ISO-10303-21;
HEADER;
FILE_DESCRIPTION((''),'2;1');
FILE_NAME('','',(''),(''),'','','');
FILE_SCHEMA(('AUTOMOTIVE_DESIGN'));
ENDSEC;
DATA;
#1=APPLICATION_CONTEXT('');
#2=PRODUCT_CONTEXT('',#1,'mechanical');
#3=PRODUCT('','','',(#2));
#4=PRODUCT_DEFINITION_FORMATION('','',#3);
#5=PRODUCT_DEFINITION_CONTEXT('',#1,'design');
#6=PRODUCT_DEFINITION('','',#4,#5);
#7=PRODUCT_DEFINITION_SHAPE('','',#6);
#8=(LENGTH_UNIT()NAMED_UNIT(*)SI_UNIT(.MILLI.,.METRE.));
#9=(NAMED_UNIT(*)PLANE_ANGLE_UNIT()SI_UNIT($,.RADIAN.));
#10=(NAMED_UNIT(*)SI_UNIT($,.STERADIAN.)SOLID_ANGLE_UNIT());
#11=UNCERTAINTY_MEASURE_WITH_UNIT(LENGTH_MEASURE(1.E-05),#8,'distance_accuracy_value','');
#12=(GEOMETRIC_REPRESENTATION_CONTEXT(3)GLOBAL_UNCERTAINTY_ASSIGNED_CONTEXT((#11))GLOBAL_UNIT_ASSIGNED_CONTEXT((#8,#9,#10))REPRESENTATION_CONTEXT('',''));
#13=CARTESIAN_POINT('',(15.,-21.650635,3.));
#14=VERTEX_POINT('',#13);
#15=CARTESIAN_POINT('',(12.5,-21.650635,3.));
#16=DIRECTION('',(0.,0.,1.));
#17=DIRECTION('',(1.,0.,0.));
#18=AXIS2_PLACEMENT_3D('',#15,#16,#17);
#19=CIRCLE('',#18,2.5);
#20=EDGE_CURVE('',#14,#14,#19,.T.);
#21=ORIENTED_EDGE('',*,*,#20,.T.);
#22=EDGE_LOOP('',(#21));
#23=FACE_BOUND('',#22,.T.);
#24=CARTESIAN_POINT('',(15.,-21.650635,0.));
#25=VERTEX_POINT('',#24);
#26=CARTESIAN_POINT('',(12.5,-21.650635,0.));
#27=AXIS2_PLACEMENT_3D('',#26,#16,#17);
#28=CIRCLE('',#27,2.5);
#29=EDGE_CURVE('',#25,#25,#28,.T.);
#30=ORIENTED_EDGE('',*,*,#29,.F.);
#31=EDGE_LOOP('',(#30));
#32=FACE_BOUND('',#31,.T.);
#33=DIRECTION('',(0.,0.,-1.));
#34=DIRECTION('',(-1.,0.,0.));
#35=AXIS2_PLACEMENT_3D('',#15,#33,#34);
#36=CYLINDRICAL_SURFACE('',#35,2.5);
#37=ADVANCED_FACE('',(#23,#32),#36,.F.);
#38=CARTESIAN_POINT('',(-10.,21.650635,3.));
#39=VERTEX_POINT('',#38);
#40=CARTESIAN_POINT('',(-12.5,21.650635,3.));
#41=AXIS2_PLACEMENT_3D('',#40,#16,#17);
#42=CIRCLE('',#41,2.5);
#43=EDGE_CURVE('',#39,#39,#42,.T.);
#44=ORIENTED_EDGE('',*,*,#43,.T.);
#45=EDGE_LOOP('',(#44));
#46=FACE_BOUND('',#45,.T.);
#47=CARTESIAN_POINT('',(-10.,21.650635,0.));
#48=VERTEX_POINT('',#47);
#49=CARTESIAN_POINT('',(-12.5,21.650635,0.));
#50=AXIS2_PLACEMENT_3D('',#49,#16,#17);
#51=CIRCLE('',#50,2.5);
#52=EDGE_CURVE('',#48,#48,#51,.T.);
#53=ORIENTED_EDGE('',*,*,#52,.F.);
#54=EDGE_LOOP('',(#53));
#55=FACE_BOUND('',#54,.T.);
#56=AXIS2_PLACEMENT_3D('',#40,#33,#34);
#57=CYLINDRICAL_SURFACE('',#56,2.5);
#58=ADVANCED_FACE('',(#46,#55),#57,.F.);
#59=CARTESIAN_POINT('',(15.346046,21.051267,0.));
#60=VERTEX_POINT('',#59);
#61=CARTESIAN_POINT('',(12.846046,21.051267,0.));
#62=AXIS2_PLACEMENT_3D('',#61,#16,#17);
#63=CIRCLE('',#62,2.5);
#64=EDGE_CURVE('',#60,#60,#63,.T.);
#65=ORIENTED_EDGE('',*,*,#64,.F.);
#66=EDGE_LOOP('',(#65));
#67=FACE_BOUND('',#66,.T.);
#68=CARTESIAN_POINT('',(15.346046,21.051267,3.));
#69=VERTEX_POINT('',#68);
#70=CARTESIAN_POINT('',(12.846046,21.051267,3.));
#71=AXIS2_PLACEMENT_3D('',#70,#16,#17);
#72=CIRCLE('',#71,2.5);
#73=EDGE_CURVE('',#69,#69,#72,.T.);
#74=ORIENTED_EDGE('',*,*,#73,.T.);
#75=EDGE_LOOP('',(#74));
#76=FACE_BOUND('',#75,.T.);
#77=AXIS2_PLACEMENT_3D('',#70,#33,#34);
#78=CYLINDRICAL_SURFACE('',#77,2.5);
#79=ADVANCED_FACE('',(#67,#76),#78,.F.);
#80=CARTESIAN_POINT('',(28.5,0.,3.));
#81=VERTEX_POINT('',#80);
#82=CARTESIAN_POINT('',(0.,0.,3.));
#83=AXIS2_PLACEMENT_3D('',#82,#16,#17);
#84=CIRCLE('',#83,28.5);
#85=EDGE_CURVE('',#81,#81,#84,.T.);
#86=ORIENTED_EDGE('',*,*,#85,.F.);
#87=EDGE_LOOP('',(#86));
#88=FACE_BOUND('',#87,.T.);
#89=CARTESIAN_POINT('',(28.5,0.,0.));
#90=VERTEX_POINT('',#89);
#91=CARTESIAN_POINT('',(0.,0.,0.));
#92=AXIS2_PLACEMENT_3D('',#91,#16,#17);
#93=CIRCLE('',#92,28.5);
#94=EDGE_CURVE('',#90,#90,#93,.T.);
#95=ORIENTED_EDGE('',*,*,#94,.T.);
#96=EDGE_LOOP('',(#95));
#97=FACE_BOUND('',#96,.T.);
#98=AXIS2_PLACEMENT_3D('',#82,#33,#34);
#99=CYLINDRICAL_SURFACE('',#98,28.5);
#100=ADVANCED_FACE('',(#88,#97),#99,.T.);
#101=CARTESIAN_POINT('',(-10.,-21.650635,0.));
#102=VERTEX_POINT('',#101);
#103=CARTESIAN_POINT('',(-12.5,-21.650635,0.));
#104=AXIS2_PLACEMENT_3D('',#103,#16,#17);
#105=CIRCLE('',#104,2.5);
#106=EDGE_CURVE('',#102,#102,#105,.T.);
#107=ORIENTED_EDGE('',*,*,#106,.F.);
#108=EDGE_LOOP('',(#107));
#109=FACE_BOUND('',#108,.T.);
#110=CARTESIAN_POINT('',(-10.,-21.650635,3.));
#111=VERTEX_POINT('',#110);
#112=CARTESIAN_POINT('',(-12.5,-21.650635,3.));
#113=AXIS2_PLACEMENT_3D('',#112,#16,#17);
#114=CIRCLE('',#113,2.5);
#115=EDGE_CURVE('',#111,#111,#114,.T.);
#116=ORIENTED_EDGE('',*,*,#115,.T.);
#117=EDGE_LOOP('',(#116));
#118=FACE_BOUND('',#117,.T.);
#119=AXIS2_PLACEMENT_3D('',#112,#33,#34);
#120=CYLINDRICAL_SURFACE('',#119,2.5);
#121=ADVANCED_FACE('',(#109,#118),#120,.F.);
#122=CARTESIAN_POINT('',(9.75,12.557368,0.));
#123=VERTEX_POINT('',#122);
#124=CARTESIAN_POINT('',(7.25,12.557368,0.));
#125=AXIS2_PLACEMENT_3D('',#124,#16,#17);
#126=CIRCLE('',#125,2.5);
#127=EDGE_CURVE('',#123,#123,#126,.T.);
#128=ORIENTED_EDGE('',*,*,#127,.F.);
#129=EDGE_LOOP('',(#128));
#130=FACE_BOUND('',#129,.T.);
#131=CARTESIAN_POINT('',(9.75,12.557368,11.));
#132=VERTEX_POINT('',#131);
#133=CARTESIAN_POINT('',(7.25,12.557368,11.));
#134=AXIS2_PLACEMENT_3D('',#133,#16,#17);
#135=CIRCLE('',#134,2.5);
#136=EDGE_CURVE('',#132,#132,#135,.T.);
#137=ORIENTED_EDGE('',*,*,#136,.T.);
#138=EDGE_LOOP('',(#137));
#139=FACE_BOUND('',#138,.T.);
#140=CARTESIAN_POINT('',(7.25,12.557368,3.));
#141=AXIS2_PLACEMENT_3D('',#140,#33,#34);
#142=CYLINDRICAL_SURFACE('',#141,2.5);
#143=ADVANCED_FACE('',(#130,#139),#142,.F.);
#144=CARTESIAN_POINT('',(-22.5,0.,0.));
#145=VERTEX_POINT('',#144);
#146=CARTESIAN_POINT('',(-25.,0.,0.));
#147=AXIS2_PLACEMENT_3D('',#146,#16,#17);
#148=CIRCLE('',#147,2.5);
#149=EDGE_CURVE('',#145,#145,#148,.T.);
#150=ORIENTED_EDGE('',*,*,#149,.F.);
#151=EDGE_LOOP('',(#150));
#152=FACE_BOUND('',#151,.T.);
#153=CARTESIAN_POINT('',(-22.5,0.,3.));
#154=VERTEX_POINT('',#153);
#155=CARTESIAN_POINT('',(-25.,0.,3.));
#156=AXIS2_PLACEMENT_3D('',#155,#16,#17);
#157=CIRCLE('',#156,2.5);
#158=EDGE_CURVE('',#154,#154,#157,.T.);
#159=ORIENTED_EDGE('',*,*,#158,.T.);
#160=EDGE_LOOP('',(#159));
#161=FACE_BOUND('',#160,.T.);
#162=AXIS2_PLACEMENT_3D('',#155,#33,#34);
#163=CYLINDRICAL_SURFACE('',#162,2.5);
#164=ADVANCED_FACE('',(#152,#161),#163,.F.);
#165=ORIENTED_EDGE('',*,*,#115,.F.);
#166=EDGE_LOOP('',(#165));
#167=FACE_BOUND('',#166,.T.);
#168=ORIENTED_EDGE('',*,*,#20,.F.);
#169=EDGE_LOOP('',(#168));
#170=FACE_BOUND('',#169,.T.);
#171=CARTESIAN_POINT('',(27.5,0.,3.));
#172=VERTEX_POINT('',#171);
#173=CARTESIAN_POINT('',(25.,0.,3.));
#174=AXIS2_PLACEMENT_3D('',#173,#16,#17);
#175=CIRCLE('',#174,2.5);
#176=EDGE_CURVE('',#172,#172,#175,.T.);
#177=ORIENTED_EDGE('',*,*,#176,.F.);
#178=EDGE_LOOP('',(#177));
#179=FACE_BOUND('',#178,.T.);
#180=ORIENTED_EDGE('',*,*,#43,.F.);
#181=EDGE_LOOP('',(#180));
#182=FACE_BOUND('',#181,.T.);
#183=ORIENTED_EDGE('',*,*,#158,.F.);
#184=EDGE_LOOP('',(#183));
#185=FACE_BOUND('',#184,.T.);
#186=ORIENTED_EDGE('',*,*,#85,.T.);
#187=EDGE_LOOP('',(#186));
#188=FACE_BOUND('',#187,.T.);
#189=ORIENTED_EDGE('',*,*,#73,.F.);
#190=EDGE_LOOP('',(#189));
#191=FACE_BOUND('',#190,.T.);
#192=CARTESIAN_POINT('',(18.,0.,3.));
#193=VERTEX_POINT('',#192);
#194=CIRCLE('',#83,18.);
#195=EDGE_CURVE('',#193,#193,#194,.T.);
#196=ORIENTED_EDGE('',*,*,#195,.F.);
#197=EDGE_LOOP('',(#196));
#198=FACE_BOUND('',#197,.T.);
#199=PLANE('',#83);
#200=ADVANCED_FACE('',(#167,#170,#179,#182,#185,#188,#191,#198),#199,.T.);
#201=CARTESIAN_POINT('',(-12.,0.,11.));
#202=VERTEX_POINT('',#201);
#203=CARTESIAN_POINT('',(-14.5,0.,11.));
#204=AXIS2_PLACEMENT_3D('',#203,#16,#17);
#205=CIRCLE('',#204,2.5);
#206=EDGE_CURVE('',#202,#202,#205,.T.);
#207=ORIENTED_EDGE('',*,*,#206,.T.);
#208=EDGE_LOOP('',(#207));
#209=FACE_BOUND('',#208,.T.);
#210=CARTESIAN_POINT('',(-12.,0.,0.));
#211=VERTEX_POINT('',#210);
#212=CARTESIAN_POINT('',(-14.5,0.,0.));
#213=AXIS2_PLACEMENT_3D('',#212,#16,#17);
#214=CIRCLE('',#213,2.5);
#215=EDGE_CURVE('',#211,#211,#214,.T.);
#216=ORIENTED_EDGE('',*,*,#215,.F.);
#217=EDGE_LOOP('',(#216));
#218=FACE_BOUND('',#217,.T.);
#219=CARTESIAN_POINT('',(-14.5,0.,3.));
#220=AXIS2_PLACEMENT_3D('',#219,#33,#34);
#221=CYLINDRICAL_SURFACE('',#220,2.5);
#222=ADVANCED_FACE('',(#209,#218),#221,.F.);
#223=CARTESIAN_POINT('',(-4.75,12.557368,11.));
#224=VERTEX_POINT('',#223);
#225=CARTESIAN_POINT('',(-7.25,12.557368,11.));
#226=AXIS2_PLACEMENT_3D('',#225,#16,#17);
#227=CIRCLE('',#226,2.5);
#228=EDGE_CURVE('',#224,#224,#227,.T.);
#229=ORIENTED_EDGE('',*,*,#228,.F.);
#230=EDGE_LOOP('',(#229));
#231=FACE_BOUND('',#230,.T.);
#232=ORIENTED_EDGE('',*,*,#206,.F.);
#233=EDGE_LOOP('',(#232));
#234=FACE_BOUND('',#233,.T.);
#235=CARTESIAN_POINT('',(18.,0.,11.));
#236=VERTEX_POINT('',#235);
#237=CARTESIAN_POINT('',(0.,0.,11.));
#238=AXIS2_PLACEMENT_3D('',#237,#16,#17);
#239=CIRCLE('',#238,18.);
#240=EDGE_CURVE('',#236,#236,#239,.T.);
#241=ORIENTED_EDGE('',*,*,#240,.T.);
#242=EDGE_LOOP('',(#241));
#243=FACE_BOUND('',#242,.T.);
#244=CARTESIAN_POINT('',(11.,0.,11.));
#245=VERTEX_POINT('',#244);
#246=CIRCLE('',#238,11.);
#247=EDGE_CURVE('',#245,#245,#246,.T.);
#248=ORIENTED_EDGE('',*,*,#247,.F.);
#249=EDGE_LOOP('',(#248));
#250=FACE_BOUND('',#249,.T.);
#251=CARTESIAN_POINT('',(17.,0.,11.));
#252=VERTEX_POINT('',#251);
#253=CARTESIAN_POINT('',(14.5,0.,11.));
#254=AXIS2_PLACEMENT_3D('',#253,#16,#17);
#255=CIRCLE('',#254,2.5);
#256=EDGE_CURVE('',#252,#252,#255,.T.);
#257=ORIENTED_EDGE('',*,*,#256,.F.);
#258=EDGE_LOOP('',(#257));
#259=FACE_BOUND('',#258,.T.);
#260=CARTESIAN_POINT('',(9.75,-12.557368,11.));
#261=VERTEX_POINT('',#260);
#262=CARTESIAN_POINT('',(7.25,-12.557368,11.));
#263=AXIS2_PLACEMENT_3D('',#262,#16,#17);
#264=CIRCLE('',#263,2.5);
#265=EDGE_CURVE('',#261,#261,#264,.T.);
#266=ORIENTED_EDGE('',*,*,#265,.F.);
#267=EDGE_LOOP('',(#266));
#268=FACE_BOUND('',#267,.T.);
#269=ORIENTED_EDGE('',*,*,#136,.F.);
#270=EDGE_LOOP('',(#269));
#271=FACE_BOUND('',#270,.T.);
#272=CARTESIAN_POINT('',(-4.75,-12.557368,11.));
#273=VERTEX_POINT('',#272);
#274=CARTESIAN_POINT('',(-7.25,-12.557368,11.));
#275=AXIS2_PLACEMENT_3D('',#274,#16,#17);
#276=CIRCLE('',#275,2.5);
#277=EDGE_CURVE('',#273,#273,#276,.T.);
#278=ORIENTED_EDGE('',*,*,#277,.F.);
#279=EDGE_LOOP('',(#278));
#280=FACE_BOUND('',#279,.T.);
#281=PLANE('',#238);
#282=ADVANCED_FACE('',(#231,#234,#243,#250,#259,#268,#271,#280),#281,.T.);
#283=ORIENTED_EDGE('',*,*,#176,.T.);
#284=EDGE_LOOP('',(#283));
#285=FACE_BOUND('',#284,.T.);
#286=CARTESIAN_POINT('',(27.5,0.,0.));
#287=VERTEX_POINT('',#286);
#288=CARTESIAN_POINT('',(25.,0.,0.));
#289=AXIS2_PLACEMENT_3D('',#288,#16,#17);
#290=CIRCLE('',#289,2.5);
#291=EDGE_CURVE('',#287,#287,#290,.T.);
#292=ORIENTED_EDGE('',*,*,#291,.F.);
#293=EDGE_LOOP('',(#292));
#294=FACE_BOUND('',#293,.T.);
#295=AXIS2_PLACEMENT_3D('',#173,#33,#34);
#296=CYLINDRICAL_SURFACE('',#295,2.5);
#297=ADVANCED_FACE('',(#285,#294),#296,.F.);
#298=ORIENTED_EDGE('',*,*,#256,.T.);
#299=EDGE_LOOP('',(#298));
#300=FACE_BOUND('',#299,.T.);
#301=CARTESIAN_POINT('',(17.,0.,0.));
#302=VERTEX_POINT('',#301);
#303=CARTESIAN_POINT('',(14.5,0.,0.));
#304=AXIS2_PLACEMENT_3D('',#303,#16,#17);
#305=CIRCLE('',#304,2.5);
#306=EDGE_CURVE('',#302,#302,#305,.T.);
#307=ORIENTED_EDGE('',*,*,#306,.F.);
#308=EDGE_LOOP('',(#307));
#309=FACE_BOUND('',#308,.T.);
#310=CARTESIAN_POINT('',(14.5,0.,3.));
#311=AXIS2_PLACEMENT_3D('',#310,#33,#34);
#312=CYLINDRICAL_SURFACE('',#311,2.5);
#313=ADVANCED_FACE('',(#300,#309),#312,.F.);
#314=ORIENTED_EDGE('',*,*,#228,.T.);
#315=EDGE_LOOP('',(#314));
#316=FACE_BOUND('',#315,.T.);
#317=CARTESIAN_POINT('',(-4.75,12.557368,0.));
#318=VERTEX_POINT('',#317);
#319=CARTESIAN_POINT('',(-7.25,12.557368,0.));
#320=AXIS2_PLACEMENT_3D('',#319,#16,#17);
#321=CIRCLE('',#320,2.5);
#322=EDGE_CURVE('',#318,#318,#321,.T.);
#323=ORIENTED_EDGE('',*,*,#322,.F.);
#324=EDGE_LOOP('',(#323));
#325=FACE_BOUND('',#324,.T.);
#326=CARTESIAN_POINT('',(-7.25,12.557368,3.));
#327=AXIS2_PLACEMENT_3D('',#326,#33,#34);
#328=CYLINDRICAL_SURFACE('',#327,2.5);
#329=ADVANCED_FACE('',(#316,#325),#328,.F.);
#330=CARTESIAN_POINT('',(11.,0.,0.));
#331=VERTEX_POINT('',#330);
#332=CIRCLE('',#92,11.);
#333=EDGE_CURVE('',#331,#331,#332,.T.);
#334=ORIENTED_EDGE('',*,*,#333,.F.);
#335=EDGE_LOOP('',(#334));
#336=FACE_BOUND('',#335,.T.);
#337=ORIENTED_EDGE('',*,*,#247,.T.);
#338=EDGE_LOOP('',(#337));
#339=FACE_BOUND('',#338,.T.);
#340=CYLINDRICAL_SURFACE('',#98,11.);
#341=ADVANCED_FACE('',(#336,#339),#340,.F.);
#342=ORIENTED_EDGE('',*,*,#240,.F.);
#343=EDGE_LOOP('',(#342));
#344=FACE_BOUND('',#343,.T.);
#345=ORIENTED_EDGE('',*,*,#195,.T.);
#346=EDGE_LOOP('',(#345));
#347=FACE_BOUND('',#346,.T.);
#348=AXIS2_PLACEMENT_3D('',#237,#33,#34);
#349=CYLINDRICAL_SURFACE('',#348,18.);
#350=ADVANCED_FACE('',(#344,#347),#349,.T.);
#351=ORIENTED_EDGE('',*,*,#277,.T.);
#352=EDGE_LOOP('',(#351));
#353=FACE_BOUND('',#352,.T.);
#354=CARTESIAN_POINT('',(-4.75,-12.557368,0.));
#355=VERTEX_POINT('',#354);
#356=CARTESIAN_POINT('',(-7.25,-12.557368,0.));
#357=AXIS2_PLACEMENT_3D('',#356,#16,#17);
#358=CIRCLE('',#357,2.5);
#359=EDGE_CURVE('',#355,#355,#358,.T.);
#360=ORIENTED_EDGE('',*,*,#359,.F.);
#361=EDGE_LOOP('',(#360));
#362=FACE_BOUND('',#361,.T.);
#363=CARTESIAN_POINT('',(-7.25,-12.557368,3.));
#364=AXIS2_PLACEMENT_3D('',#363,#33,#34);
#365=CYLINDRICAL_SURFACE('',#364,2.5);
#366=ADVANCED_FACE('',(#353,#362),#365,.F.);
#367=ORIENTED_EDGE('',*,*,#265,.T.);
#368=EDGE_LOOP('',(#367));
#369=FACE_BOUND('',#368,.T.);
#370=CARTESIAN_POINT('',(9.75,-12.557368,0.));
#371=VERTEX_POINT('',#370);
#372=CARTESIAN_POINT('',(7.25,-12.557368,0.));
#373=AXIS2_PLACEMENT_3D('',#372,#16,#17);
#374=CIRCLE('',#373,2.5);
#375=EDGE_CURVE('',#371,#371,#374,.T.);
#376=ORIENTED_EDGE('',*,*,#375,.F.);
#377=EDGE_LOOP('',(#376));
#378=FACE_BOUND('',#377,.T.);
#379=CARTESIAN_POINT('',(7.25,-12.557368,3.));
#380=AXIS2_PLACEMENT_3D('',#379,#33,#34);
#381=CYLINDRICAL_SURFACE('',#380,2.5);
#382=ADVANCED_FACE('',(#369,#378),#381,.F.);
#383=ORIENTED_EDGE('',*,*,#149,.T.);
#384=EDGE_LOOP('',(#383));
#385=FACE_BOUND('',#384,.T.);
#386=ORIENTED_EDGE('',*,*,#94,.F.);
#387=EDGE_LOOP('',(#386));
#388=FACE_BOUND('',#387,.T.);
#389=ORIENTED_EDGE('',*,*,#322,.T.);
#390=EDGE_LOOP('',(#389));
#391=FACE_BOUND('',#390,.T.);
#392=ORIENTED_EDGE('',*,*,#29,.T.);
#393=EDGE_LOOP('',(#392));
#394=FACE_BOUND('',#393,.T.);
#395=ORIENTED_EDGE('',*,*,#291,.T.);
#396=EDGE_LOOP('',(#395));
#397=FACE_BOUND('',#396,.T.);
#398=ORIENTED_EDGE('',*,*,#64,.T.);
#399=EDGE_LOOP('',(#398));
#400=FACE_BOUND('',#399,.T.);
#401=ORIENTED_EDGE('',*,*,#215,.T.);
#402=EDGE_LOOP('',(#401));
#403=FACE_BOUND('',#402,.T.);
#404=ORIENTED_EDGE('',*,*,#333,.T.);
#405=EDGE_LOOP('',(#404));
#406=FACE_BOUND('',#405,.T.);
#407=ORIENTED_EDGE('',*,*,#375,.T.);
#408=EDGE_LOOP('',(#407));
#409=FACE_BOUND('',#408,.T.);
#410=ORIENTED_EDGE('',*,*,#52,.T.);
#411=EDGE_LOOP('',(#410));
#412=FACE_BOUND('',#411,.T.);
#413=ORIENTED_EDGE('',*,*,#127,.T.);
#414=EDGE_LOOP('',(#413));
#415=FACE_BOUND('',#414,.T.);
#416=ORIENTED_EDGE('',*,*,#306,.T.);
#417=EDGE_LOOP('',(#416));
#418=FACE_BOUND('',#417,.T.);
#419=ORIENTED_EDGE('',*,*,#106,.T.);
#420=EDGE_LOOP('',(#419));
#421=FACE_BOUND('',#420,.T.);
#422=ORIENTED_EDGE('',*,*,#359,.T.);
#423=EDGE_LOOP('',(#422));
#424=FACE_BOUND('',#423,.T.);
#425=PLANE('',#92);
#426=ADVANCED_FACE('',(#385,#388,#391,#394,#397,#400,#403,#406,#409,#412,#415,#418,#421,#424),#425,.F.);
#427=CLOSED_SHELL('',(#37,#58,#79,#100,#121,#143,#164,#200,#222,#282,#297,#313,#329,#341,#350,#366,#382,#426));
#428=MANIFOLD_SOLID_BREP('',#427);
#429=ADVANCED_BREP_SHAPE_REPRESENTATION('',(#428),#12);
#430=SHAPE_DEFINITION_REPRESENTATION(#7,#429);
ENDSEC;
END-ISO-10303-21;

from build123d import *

# Parameters (mm, degrees)
SKETCH_1_R      = 28.5
SKETCH_1_R_2    = 2.5
SKETCH_1_R_3    = 18
SKETCH_1_R_4    = 11
EXTRUDE_3_DEPTH = 3
SKETCH_3_R      = 18
SKETCH_3_R_2    = 11
SKETCH_3_R_3    = 2.5
EXTRUDE_4_DEPTH = 8


with BuildPart() as part:
    # 草图1 → 凸台-拉伸3 (new body)
    # profile 1 of 2: a face of its own
    with BuildSketch(Plane.XY):
        Circle(SKETCH_1_R)
        with Locations((-12.5, -21.650635095)):
            Circle(SKETCH_1_R_2, mode=Mode.SUBTRACT)
        with Locations((12.5, -21.650635095)):
            Circle(SKETCH_1_R_2, mode=Mode.SUBTRACT)
        with Locations((25, 0)):
            Circle(SKETCH_1_R_2, mode=Mode.SUBTRACT)
        with Locations((12.846045577, 21.051266574)):
            Circle(SKETCH_1_R_2, mode=Mode.SUBTRACT)
        with Locations((-25, 0)):
            Circle(SKETCH_1_R_2, mode=Mode.SUBTRACT)
        with Locations((-12.5, 21.650635095)):
            Circle(SKETCH_1_R_2, mode=Mode.SUBTRACT)
        Circle(SKETCH_1_R_3, mode=Mode.SUBTRACT)
    # profile 2 of 2: a face of its own
    with BuildSketch(Plane.XY):
        Circle(SKETCH_1_R_3)
        Circle(SKETCH_1_R_4, mode=Mode.SUBTRACT)
        with Locations((-7.25, 12.557368355)):
            Circle(SKETCH_1_R_2, mode=Mode.SUBTRACT)
        with Locations((7.25, 12.557368355)):
            Circle(SKETCH_1_R_2, mode=Mode.SUBTRACT)
        with Locations((-14.5, 0)):
            Circle(SKETCH_1_R_2, mode=Mode.SUBTRACT)
        with Locations((14.5, 0)):
            Circle(SKETCH_1_R_2, mode=Mode.SUBTRACT)
        with Locations((7.25, -12.557368355)):
            Circle(SKETCH_1_R_2, mode=Mode.SUBTRACT)
        with Locations((-7.25, -12.557368355)):
            Circle(SKETCH_1_R_2, mode=Mode.SUBTRACT)
    extrude(amount=EXTRUDE_3_DEPTH)

    # 草图3 → 凸台-拉伸4 (add)
    with BuildSketch(Plane.XY.offset(3)):
        Circle(SKETCH_3_R)
        Circle(SKETCH_3_R_2, mode=Mode.SUBTRACT)
        with Locations((-14.5, 0)):
            Circle(SKETCH_3_R_3, mode=Mode.SUBTRACT)
        with Locations((-7.25, 12.557368355)):
            Circle(SKETCH_3_R_3, mode=Mode.SUBTRACT)
        with Locations((7.25, 12.557368355)):
            Circle(SKETCH_3_R_3, mode=Mode.SUBTRACT)
        with Locations((14.5, 0)):
            Circle(SKETCH_3_R_3, mode=Mode.SUBTRACT)
        with Locations((7.25, -12.557368355)):
            Circle(SKETCH_3_R_3, mode=Mode.SUBTRACT)
        with Locations((-7.25, -12.557368355)):
            Circle(SKETCH_3_R_3, mode=Mode.SUBTRACT)
    extrude(amount=EXTRUDE_4_DEPTH)


solid = part.part
